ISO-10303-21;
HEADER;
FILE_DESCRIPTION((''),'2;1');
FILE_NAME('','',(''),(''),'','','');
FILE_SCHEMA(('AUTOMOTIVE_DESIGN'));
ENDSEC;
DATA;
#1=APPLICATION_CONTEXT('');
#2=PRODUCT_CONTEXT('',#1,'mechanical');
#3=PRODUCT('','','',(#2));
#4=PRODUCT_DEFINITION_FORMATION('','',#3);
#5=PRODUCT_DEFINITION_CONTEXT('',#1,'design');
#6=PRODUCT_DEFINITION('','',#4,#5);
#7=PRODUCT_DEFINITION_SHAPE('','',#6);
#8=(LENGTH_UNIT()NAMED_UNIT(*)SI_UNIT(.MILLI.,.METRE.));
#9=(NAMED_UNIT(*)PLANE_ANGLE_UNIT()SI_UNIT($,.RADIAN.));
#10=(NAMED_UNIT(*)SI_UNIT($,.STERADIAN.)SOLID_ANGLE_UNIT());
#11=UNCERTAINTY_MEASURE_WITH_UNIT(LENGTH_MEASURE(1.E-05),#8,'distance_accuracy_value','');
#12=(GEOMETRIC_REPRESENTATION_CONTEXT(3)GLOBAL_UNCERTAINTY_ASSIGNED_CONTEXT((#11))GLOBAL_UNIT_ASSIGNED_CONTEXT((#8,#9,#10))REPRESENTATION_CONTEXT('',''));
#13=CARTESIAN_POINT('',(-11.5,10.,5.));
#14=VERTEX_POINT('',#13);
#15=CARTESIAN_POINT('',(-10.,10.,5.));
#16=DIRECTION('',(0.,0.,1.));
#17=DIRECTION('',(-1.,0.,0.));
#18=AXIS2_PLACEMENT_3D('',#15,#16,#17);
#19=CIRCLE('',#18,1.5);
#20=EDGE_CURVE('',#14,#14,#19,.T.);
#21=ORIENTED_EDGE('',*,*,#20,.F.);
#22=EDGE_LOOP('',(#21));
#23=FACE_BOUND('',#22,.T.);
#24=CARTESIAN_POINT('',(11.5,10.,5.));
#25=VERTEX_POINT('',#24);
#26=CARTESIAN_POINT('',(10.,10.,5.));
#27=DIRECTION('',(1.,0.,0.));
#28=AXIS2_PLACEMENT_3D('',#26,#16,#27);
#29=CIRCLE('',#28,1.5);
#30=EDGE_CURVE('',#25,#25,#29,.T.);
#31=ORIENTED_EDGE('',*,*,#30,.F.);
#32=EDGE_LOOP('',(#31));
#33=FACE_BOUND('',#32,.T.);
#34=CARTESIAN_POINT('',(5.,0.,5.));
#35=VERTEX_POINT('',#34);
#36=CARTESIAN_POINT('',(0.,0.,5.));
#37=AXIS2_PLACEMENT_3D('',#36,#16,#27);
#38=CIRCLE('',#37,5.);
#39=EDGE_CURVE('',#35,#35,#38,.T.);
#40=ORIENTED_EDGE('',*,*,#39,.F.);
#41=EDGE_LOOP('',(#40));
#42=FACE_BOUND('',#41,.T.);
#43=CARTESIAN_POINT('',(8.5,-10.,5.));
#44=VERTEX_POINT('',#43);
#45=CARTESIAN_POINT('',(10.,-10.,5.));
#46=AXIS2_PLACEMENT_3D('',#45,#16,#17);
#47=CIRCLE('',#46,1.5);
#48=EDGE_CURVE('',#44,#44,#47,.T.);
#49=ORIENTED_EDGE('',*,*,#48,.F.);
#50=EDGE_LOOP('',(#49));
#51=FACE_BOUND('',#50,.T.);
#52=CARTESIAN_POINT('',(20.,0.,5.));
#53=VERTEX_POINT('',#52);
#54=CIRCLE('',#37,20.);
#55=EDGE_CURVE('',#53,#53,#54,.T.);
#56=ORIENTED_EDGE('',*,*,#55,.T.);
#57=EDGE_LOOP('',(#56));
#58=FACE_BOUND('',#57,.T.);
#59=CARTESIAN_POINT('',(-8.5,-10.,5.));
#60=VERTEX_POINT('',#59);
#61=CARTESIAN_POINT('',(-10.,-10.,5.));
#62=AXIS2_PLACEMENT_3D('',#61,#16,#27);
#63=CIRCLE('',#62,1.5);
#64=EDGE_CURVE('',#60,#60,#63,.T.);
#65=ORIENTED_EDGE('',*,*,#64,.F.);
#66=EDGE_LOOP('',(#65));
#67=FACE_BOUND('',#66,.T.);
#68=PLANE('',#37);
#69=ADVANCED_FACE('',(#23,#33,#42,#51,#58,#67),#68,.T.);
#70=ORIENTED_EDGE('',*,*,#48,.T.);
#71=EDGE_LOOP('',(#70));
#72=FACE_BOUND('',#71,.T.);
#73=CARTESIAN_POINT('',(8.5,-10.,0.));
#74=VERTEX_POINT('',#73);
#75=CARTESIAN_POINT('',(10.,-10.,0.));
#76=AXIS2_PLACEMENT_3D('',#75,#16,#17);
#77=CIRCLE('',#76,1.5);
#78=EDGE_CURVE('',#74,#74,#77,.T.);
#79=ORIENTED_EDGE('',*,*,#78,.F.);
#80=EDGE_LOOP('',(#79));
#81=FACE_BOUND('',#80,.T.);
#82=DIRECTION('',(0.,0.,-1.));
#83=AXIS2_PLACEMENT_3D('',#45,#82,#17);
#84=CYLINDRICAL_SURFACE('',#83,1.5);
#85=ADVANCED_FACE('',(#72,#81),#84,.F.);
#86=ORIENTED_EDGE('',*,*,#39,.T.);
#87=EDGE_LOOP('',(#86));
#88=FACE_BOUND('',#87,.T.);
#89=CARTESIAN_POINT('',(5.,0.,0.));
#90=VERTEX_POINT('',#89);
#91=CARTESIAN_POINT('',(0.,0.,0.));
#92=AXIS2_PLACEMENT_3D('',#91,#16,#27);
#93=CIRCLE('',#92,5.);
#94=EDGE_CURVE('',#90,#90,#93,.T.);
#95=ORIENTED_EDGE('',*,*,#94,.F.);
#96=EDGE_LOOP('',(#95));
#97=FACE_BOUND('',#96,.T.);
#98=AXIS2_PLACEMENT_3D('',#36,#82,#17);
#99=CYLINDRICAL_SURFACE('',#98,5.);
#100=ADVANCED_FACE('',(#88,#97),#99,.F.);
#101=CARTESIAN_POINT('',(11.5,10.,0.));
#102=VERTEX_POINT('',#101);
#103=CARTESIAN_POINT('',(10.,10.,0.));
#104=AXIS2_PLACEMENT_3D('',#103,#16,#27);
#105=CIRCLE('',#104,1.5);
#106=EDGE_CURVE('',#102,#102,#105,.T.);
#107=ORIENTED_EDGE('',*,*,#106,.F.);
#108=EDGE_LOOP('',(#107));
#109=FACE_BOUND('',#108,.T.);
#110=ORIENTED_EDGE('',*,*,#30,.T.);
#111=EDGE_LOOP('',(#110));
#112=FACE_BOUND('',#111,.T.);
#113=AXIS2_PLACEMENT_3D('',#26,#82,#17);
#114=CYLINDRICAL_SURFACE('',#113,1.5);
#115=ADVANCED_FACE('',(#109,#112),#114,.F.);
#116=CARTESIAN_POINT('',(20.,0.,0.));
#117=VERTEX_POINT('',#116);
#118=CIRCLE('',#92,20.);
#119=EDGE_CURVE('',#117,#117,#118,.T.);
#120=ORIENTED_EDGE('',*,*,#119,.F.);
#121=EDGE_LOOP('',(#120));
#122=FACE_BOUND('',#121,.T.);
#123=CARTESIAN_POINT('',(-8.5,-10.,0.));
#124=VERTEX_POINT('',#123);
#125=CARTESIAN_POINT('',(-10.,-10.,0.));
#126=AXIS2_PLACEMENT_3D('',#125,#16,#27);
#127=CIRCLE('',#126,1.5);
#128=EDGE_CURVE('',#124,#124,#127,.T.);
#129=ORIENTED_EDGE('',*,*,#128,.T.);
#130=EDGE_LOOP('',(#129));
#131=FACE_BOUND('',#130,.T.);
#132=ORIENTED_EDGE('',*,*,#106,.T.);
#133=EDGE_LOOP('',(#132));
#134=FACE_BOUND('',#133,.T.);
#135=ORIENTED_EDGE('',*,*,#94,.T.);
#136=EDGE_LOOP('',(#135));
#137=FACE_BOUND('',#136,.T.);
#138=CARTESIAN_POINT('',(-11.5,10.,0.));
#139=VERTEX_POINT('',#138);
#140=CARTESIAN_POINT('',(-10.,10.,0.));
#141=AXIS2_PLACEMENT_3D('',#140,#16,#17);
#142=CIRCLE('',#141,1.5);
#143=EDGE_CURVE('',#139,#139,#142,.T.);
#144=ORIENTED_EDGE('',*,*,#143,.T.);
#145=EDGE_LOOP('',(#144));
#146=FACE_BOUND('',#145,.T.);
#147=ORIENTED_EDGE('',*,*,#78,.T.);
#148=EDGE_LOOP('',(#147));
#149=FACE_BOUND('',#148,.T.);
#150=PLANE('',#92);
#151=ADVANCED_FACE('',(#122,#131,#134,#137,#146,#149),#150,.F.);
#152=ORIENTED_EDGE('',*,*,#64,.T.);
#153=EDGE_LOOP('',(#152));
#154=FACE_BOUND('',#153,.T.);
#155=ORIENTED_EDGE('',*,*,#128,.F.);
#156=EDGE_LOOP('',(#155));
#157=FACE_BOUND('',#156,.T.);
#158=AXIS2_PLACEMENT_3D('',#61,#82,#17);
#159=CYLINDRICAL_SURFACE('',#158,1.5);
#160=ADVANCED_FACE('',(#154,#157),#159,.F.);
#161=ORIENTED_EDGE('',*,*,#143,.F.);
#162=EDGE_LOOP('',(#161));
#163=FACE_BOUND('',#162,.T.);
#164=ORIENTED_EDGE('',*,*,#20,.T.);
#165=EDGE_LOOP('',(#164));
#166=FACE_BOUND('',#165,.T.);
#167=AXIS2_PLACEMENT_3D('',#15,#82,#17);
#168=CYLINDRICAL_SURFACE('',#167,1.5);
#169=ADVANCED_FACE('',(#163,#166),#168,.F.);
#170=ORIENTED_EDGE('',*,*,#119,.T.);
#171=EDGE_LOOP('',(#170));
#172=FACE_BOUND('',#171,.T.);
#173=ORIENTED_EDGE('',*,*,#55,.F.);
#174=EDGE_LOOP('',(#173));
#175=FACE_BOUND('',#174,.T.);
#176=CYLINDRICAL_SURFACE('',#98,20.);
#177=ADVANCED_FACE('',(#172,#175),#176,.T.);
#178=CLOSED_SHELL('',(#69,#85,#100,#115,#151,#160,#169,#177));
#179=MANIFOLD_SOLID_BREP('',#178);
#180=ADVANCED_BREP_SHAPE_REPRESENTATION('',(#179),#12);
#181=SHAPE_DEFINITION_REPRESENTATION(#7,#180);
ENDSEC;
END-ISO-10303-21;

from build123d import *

# Parameters (mm, degrees)
SKETCH_1_R      = 20
SKETCH_1_R_2    = 5
SKETCH_1_R_3    = 1.5
EXTRUDE_1_DEPTH = 5


with BuildPart() as part:
    # 草圖1 → 填料-伸長1 (new body)
    with BuildSketch(Plane.XY):
        Circle(SKETCH_1_R)
        Circle(SKETCH_1_R_2, mode=Mode.SUBTRACT)
        with Locations((-10, -10)):
            Circle(SKETCH_1_R_3, mode=Mode.SUBTRACT)
        with Locations(Location((-10, 10, 0), (0, 0, 180))):
            Circle(SKETCH_1_R_3, mode=Mode.SUBTRACT)
        with Locations((10, 10)):
            Circle(SKETCH_1_R_3, mode=Mode.SUBTRACT)
        with Locations(Location((10, -10, 0), (0, 0, 180))):
            Circle(SKETCH_1_R_3, mode=Mode.SUBTRACT)
    extrude(amount=EXTRUDE_1_DEPTH)


solid = part.part
